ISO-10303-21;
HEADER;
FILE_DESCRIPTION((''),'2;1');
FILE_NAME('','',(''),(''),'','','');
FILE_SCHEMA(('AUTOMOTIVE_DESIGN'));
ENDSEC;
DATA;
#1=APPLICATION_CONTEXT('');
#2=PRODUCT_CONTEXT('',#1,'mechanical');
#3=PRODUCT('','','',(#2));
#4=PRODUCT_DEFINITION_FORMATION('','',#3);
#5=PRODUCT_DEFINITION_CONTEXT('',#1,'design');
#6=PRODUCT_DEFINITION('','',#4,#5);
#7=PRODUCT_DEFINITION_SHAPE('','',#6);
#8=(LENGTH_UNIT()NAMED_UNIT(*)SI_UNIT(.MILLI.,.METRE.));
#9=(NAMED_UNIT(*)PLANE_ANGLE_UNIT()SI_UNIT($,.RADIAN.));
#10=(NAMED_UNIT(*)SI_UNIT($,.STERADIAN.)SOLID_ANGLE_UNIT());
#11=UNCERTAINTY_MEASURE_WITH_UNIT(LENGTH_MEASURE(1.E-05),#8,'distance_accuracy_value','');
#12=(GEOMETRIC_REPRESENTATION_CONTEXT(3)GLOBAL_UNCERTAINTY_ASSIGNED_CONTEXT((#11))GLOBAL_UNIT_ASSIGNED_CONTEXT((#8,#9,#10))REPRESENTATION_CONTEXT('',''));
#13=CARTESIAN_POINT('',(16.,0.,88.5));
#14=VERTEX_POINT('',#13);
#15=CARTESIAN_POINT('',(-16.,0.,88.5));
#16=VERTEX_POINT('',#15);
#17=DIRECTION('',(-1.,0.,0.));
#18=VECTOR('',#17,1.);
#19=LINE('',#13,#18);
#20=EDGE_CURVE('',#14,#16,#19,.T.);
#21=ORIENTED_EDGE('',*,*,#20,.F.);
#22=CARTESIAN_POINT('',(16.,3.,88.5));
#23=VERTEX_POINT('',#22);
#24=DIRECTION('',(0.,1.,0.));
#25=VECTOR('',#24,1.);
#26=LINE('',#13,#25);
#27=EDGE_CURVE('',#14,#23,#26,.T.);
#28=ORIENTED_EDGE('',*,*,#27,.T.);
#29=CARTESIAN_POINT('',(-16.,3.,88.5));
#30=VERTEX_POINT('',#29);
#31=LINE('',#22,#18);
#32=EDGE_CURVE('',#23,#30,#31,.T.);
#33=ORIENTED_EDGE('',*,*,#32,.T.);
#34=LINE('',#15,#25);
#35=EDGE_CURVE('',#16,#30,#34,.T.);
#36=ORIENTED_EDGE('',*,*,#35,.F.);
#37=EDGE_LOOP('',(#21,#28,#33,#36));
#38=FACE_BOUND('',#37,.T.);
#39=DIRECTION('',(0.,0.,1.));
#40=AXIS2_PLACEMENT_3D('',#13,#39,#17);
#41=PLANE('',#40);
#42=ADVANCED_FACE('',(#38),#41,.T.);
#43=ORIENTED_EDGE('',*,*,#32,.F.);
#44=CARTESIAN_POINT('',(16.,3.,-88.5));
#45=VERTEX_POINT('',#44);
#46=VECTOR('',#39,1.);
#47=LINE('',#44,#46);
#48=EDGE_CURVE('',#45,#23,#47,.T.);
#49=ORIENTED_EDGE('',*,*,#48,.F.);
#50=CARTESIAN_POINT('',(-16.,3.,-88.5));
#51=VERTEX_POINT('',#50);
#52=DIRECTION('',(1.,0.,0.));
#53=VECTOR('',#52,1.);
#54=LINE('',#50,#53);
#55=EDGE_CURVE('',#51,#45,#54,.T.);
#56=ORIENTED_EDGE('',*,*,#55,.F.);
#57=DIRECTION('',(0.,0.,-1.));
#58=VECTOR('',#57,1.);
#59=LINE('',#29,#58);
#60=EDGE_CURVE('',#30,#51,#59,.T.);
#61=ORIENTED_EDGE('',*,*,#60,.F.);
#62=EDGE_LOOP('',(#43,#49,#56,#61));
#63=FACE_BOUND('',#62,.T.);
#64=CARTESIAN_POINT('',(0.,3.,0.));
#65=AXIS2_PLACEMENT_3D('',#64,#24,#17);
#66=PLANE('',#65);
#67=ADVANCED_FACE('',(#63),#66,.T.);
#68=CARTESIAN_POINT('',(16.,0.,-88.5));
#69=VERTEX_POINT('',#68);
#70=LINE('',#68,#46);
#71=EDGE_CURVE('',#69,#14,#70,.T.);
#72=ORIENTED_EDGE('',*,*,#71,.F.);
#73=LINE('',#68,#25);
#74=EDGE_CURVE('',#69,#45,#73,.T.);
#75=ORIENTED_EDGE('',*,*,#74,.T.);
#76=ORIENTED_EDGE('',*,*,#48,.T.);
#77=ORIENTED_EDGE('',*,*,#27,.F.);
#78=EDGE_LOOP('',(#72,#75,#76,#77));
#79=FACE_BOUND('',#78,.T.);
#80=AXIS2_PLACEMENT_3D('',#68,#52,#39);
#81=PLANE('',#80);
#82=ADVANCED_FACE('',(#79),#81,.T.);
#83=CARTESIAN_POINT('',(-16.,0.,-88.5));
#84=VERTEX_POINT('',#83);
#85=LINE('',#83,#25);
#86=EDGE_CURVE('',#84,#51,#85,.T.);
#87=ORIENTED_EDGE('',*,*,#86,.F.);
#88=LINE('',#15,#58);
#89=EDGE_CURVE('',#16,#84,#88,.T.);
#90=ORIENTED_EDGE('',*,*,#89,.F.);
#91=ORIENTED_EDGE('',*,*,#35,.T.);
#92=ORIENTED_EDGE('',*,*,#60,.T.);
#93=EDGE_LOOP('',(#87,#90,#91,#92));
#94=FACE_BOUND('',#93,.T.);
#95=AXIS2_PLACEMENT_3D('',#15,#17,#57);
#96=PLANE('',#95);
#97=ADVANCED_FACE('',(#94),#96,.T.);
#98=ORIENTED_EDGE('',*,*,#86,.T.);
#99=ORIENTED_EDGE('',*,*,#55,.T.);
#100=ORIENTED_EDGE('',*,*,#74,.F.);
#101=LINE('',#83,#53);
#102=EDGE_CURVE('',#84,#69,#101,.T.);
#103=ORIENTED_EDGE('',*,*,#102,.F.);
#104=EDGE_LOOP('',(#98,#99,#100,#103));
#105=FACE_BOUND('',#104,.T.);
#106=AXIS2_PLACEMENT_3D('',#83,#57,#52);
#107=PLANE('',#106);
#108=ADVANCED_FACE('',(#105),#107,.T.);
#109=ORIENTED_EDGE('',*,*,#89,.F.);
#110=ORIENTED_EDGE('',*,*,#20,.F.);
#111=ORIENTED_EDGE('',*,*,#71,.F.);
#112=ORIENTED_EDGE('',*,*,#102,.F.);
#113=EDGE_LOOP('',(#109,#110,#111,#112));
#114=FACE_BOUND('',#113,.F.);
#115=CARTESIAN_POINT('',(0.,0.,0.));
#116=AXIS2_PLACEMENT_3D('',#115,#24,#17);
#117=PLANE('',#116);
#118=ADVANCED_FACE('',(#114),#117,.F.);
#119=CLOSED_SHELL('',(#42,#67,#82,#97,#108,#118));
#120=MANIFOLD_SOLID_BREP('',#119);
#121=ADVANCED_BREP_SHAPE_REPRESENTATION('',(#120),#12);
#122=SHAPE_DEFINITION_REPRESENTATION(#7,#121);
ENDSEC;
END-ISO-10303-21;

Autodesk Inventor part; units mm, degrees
ref_plane "YZ Plane" through (0, 0, 0) normal (1, 0, 0) x (0, 1, 0)
ref_plane "XZ Plane" through (0, 0, 0) normal (0, 1, 0) x (-1, 0, 0)
ref_plane "XY Plane" through (0, 0, 0) normal (0, 0, 1) x (1, 0, 0)
sketch "草圖1" plane through (0, 0, 0) normal (0, 1, 0) x (-1, 0, 0)
  line L0 (-16, 88.5) -> (16, 88.5)
  line L1 (16, 88.5) -> (16, -88.5)
  line L2 (16, -88.5) -> (-16, -88.5)
  line L3 (-16, -88.5) -> (-16, 88.5)
  line L4 (-16, 88.5) -> (16, -88.5) construction
  line L5 (16, 88.5) -> (-16, -88.5) construction
  point P0 (0, 0)
  dimension "d0" = 32
  dimension "d1" = 177
extrude "擠出1" add sketch "草圖1" along normal blind 3
equation "\"折彎半徑\" = 厚度"
equation "\"折彎離隙寬度\" = 厚度"
equation "\"折彎離隙深度\" = 0.5 * 厚度"
equation "\"轉角離隙大小\" = 4 * 厚度"
equation "\"最小剩餘\" = 2 * 厚度"
equation "\"轉移半徑\" = 折彎半徑"
equation "\"Jacobi半徑大小\" = 厚度"
equation "\"間隙大小\" = 厚度"
equation "\"厚度\" = 0.5"
properties part number "與滑塊固定板金" material "鋁合金 6061"
